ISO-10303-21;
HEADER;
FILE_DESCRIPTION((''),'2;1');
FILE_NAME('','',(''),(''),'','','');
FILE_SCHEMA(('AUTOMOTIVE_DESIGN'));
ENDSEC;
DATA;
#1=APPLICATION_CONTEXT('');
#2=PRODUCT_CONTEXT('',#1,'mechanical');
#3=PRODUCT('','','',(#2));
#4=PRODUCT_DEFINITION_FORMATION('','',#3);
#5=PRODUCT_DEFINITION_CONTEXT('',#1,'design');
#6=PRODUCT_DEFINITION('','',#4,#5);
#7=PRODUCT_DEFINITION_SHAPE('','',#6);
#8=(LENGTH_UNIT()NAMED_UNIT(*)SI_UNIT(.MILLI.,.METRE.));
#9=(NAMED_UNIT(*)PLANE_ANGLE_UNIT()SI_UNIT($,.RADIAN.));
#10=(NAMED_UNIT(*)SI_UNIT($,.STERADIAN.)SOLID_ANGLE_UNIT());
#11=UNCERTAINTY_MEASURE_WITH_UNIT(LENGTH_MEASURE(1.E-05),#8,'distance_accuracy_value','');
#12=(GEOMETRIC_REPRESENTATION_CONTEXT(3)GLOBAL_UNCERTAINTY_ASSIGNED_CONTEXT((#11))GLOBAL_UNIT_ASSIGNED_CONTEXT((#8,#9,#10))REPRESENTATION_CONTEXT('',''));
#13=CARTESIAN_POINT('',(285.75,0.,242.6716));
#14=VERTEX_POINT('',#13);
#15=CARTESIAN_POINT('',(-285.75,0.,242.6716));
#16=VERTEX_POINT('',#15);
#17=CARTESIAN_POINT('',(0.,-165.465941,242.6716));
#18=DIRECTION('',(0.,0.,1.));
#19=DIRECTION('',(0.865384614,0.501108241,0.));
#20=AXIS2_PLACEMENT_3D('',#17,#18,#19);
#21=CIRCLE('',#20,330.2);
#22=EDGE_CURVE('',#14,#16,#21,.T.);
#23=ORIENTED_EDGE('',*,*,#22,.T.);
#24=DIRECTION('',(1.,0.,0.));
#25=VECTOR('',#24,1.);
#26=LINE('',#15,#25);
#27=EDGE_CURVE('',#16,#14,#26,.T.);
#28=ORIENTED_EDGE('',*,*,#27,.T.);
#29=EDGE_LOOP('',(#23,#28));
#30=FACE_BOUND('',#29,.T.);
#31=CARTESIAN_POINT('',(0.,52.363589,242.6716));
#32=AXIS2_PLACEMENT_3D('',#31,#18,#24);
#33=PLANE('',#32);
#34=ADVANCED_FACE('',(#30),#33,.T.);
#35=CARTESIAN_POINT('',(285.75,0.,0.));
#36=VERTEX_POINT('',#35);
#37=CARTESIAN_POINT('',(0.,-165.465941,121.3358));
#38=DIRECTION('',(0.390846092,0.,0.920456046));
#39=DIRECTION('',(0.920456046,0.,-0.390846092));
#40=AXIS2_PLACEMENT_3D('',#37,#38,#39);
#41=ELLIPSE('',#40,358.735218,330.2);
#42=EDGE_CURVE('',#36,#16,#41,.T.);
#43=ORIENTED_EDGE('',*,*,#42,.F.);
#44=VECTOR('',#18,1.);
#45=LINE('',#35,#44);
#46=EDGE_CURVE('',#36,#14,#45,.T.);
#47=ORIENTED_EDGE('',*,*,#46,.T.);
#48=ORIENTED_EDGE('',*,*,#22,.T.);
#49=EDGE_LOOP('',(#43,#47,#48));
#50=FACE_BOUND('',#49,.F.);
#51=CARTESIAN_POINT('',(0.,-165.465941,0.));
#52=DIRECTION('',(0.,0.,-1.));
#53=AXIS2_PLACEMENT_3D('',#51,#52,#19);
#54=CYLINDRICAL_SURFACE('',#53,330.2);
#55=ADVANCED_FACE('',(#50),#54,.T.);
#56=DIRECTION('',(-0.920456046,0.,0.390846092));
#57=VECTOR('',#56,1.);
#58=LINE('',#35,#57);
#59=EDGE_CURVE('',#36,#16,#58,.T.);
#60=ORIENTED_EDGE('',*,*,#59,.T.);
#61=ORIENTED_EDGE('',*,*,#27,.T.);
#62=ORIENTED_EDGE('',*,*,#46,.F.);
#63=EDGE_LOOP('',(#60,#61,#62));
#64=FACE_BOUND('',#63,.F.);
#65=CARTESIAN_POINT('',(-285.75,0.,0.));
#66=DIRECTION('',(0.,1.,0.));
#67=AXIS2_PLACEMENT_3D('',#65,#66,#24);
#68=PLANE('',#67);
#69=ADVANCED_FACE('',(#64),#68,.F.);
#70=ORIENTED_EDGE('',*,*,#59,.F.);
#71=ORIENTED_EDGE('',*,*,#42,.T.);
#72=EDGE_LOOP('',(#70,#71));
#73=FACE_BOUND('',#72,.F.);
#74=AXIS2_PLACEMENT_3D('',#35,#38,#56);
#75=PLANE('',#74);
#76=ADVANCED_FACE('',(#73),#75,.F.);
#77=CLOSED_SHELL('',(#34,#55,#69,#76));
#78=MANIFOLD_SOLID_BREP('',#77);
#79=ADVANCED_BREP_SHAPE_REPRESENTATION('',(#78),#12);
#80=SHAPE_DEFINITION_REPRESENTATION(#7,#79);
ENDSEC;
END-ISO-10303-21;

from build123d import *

# Parameters (mm, degrees)
F1_DEPTH = 242.6716
F3_DEPTH = 508


with BuildPart() as f1:
    # F0 (on Top) → F1 (new body)
    with BuildSketch(Plane.XY):
        with BuildLine():
            ThreePointArc((285.75, 0), (0, 164.734059), (-285.75, 0))
            Line((-285.75, 0), (285.75, 0))
        make_face()
    extrude(amount=F1_DEPTH)

    # F2 (on face) → F3 (cut)
    with BuildSketch(Plane.XZ):
        Polygon((285.75, 0), (-285.75, 242.6716), (-285.75, 0), align=None)
    extrude(amount=-F3_DEPTH, mode=Mode.SUBTRACT)


solid = f1.part
